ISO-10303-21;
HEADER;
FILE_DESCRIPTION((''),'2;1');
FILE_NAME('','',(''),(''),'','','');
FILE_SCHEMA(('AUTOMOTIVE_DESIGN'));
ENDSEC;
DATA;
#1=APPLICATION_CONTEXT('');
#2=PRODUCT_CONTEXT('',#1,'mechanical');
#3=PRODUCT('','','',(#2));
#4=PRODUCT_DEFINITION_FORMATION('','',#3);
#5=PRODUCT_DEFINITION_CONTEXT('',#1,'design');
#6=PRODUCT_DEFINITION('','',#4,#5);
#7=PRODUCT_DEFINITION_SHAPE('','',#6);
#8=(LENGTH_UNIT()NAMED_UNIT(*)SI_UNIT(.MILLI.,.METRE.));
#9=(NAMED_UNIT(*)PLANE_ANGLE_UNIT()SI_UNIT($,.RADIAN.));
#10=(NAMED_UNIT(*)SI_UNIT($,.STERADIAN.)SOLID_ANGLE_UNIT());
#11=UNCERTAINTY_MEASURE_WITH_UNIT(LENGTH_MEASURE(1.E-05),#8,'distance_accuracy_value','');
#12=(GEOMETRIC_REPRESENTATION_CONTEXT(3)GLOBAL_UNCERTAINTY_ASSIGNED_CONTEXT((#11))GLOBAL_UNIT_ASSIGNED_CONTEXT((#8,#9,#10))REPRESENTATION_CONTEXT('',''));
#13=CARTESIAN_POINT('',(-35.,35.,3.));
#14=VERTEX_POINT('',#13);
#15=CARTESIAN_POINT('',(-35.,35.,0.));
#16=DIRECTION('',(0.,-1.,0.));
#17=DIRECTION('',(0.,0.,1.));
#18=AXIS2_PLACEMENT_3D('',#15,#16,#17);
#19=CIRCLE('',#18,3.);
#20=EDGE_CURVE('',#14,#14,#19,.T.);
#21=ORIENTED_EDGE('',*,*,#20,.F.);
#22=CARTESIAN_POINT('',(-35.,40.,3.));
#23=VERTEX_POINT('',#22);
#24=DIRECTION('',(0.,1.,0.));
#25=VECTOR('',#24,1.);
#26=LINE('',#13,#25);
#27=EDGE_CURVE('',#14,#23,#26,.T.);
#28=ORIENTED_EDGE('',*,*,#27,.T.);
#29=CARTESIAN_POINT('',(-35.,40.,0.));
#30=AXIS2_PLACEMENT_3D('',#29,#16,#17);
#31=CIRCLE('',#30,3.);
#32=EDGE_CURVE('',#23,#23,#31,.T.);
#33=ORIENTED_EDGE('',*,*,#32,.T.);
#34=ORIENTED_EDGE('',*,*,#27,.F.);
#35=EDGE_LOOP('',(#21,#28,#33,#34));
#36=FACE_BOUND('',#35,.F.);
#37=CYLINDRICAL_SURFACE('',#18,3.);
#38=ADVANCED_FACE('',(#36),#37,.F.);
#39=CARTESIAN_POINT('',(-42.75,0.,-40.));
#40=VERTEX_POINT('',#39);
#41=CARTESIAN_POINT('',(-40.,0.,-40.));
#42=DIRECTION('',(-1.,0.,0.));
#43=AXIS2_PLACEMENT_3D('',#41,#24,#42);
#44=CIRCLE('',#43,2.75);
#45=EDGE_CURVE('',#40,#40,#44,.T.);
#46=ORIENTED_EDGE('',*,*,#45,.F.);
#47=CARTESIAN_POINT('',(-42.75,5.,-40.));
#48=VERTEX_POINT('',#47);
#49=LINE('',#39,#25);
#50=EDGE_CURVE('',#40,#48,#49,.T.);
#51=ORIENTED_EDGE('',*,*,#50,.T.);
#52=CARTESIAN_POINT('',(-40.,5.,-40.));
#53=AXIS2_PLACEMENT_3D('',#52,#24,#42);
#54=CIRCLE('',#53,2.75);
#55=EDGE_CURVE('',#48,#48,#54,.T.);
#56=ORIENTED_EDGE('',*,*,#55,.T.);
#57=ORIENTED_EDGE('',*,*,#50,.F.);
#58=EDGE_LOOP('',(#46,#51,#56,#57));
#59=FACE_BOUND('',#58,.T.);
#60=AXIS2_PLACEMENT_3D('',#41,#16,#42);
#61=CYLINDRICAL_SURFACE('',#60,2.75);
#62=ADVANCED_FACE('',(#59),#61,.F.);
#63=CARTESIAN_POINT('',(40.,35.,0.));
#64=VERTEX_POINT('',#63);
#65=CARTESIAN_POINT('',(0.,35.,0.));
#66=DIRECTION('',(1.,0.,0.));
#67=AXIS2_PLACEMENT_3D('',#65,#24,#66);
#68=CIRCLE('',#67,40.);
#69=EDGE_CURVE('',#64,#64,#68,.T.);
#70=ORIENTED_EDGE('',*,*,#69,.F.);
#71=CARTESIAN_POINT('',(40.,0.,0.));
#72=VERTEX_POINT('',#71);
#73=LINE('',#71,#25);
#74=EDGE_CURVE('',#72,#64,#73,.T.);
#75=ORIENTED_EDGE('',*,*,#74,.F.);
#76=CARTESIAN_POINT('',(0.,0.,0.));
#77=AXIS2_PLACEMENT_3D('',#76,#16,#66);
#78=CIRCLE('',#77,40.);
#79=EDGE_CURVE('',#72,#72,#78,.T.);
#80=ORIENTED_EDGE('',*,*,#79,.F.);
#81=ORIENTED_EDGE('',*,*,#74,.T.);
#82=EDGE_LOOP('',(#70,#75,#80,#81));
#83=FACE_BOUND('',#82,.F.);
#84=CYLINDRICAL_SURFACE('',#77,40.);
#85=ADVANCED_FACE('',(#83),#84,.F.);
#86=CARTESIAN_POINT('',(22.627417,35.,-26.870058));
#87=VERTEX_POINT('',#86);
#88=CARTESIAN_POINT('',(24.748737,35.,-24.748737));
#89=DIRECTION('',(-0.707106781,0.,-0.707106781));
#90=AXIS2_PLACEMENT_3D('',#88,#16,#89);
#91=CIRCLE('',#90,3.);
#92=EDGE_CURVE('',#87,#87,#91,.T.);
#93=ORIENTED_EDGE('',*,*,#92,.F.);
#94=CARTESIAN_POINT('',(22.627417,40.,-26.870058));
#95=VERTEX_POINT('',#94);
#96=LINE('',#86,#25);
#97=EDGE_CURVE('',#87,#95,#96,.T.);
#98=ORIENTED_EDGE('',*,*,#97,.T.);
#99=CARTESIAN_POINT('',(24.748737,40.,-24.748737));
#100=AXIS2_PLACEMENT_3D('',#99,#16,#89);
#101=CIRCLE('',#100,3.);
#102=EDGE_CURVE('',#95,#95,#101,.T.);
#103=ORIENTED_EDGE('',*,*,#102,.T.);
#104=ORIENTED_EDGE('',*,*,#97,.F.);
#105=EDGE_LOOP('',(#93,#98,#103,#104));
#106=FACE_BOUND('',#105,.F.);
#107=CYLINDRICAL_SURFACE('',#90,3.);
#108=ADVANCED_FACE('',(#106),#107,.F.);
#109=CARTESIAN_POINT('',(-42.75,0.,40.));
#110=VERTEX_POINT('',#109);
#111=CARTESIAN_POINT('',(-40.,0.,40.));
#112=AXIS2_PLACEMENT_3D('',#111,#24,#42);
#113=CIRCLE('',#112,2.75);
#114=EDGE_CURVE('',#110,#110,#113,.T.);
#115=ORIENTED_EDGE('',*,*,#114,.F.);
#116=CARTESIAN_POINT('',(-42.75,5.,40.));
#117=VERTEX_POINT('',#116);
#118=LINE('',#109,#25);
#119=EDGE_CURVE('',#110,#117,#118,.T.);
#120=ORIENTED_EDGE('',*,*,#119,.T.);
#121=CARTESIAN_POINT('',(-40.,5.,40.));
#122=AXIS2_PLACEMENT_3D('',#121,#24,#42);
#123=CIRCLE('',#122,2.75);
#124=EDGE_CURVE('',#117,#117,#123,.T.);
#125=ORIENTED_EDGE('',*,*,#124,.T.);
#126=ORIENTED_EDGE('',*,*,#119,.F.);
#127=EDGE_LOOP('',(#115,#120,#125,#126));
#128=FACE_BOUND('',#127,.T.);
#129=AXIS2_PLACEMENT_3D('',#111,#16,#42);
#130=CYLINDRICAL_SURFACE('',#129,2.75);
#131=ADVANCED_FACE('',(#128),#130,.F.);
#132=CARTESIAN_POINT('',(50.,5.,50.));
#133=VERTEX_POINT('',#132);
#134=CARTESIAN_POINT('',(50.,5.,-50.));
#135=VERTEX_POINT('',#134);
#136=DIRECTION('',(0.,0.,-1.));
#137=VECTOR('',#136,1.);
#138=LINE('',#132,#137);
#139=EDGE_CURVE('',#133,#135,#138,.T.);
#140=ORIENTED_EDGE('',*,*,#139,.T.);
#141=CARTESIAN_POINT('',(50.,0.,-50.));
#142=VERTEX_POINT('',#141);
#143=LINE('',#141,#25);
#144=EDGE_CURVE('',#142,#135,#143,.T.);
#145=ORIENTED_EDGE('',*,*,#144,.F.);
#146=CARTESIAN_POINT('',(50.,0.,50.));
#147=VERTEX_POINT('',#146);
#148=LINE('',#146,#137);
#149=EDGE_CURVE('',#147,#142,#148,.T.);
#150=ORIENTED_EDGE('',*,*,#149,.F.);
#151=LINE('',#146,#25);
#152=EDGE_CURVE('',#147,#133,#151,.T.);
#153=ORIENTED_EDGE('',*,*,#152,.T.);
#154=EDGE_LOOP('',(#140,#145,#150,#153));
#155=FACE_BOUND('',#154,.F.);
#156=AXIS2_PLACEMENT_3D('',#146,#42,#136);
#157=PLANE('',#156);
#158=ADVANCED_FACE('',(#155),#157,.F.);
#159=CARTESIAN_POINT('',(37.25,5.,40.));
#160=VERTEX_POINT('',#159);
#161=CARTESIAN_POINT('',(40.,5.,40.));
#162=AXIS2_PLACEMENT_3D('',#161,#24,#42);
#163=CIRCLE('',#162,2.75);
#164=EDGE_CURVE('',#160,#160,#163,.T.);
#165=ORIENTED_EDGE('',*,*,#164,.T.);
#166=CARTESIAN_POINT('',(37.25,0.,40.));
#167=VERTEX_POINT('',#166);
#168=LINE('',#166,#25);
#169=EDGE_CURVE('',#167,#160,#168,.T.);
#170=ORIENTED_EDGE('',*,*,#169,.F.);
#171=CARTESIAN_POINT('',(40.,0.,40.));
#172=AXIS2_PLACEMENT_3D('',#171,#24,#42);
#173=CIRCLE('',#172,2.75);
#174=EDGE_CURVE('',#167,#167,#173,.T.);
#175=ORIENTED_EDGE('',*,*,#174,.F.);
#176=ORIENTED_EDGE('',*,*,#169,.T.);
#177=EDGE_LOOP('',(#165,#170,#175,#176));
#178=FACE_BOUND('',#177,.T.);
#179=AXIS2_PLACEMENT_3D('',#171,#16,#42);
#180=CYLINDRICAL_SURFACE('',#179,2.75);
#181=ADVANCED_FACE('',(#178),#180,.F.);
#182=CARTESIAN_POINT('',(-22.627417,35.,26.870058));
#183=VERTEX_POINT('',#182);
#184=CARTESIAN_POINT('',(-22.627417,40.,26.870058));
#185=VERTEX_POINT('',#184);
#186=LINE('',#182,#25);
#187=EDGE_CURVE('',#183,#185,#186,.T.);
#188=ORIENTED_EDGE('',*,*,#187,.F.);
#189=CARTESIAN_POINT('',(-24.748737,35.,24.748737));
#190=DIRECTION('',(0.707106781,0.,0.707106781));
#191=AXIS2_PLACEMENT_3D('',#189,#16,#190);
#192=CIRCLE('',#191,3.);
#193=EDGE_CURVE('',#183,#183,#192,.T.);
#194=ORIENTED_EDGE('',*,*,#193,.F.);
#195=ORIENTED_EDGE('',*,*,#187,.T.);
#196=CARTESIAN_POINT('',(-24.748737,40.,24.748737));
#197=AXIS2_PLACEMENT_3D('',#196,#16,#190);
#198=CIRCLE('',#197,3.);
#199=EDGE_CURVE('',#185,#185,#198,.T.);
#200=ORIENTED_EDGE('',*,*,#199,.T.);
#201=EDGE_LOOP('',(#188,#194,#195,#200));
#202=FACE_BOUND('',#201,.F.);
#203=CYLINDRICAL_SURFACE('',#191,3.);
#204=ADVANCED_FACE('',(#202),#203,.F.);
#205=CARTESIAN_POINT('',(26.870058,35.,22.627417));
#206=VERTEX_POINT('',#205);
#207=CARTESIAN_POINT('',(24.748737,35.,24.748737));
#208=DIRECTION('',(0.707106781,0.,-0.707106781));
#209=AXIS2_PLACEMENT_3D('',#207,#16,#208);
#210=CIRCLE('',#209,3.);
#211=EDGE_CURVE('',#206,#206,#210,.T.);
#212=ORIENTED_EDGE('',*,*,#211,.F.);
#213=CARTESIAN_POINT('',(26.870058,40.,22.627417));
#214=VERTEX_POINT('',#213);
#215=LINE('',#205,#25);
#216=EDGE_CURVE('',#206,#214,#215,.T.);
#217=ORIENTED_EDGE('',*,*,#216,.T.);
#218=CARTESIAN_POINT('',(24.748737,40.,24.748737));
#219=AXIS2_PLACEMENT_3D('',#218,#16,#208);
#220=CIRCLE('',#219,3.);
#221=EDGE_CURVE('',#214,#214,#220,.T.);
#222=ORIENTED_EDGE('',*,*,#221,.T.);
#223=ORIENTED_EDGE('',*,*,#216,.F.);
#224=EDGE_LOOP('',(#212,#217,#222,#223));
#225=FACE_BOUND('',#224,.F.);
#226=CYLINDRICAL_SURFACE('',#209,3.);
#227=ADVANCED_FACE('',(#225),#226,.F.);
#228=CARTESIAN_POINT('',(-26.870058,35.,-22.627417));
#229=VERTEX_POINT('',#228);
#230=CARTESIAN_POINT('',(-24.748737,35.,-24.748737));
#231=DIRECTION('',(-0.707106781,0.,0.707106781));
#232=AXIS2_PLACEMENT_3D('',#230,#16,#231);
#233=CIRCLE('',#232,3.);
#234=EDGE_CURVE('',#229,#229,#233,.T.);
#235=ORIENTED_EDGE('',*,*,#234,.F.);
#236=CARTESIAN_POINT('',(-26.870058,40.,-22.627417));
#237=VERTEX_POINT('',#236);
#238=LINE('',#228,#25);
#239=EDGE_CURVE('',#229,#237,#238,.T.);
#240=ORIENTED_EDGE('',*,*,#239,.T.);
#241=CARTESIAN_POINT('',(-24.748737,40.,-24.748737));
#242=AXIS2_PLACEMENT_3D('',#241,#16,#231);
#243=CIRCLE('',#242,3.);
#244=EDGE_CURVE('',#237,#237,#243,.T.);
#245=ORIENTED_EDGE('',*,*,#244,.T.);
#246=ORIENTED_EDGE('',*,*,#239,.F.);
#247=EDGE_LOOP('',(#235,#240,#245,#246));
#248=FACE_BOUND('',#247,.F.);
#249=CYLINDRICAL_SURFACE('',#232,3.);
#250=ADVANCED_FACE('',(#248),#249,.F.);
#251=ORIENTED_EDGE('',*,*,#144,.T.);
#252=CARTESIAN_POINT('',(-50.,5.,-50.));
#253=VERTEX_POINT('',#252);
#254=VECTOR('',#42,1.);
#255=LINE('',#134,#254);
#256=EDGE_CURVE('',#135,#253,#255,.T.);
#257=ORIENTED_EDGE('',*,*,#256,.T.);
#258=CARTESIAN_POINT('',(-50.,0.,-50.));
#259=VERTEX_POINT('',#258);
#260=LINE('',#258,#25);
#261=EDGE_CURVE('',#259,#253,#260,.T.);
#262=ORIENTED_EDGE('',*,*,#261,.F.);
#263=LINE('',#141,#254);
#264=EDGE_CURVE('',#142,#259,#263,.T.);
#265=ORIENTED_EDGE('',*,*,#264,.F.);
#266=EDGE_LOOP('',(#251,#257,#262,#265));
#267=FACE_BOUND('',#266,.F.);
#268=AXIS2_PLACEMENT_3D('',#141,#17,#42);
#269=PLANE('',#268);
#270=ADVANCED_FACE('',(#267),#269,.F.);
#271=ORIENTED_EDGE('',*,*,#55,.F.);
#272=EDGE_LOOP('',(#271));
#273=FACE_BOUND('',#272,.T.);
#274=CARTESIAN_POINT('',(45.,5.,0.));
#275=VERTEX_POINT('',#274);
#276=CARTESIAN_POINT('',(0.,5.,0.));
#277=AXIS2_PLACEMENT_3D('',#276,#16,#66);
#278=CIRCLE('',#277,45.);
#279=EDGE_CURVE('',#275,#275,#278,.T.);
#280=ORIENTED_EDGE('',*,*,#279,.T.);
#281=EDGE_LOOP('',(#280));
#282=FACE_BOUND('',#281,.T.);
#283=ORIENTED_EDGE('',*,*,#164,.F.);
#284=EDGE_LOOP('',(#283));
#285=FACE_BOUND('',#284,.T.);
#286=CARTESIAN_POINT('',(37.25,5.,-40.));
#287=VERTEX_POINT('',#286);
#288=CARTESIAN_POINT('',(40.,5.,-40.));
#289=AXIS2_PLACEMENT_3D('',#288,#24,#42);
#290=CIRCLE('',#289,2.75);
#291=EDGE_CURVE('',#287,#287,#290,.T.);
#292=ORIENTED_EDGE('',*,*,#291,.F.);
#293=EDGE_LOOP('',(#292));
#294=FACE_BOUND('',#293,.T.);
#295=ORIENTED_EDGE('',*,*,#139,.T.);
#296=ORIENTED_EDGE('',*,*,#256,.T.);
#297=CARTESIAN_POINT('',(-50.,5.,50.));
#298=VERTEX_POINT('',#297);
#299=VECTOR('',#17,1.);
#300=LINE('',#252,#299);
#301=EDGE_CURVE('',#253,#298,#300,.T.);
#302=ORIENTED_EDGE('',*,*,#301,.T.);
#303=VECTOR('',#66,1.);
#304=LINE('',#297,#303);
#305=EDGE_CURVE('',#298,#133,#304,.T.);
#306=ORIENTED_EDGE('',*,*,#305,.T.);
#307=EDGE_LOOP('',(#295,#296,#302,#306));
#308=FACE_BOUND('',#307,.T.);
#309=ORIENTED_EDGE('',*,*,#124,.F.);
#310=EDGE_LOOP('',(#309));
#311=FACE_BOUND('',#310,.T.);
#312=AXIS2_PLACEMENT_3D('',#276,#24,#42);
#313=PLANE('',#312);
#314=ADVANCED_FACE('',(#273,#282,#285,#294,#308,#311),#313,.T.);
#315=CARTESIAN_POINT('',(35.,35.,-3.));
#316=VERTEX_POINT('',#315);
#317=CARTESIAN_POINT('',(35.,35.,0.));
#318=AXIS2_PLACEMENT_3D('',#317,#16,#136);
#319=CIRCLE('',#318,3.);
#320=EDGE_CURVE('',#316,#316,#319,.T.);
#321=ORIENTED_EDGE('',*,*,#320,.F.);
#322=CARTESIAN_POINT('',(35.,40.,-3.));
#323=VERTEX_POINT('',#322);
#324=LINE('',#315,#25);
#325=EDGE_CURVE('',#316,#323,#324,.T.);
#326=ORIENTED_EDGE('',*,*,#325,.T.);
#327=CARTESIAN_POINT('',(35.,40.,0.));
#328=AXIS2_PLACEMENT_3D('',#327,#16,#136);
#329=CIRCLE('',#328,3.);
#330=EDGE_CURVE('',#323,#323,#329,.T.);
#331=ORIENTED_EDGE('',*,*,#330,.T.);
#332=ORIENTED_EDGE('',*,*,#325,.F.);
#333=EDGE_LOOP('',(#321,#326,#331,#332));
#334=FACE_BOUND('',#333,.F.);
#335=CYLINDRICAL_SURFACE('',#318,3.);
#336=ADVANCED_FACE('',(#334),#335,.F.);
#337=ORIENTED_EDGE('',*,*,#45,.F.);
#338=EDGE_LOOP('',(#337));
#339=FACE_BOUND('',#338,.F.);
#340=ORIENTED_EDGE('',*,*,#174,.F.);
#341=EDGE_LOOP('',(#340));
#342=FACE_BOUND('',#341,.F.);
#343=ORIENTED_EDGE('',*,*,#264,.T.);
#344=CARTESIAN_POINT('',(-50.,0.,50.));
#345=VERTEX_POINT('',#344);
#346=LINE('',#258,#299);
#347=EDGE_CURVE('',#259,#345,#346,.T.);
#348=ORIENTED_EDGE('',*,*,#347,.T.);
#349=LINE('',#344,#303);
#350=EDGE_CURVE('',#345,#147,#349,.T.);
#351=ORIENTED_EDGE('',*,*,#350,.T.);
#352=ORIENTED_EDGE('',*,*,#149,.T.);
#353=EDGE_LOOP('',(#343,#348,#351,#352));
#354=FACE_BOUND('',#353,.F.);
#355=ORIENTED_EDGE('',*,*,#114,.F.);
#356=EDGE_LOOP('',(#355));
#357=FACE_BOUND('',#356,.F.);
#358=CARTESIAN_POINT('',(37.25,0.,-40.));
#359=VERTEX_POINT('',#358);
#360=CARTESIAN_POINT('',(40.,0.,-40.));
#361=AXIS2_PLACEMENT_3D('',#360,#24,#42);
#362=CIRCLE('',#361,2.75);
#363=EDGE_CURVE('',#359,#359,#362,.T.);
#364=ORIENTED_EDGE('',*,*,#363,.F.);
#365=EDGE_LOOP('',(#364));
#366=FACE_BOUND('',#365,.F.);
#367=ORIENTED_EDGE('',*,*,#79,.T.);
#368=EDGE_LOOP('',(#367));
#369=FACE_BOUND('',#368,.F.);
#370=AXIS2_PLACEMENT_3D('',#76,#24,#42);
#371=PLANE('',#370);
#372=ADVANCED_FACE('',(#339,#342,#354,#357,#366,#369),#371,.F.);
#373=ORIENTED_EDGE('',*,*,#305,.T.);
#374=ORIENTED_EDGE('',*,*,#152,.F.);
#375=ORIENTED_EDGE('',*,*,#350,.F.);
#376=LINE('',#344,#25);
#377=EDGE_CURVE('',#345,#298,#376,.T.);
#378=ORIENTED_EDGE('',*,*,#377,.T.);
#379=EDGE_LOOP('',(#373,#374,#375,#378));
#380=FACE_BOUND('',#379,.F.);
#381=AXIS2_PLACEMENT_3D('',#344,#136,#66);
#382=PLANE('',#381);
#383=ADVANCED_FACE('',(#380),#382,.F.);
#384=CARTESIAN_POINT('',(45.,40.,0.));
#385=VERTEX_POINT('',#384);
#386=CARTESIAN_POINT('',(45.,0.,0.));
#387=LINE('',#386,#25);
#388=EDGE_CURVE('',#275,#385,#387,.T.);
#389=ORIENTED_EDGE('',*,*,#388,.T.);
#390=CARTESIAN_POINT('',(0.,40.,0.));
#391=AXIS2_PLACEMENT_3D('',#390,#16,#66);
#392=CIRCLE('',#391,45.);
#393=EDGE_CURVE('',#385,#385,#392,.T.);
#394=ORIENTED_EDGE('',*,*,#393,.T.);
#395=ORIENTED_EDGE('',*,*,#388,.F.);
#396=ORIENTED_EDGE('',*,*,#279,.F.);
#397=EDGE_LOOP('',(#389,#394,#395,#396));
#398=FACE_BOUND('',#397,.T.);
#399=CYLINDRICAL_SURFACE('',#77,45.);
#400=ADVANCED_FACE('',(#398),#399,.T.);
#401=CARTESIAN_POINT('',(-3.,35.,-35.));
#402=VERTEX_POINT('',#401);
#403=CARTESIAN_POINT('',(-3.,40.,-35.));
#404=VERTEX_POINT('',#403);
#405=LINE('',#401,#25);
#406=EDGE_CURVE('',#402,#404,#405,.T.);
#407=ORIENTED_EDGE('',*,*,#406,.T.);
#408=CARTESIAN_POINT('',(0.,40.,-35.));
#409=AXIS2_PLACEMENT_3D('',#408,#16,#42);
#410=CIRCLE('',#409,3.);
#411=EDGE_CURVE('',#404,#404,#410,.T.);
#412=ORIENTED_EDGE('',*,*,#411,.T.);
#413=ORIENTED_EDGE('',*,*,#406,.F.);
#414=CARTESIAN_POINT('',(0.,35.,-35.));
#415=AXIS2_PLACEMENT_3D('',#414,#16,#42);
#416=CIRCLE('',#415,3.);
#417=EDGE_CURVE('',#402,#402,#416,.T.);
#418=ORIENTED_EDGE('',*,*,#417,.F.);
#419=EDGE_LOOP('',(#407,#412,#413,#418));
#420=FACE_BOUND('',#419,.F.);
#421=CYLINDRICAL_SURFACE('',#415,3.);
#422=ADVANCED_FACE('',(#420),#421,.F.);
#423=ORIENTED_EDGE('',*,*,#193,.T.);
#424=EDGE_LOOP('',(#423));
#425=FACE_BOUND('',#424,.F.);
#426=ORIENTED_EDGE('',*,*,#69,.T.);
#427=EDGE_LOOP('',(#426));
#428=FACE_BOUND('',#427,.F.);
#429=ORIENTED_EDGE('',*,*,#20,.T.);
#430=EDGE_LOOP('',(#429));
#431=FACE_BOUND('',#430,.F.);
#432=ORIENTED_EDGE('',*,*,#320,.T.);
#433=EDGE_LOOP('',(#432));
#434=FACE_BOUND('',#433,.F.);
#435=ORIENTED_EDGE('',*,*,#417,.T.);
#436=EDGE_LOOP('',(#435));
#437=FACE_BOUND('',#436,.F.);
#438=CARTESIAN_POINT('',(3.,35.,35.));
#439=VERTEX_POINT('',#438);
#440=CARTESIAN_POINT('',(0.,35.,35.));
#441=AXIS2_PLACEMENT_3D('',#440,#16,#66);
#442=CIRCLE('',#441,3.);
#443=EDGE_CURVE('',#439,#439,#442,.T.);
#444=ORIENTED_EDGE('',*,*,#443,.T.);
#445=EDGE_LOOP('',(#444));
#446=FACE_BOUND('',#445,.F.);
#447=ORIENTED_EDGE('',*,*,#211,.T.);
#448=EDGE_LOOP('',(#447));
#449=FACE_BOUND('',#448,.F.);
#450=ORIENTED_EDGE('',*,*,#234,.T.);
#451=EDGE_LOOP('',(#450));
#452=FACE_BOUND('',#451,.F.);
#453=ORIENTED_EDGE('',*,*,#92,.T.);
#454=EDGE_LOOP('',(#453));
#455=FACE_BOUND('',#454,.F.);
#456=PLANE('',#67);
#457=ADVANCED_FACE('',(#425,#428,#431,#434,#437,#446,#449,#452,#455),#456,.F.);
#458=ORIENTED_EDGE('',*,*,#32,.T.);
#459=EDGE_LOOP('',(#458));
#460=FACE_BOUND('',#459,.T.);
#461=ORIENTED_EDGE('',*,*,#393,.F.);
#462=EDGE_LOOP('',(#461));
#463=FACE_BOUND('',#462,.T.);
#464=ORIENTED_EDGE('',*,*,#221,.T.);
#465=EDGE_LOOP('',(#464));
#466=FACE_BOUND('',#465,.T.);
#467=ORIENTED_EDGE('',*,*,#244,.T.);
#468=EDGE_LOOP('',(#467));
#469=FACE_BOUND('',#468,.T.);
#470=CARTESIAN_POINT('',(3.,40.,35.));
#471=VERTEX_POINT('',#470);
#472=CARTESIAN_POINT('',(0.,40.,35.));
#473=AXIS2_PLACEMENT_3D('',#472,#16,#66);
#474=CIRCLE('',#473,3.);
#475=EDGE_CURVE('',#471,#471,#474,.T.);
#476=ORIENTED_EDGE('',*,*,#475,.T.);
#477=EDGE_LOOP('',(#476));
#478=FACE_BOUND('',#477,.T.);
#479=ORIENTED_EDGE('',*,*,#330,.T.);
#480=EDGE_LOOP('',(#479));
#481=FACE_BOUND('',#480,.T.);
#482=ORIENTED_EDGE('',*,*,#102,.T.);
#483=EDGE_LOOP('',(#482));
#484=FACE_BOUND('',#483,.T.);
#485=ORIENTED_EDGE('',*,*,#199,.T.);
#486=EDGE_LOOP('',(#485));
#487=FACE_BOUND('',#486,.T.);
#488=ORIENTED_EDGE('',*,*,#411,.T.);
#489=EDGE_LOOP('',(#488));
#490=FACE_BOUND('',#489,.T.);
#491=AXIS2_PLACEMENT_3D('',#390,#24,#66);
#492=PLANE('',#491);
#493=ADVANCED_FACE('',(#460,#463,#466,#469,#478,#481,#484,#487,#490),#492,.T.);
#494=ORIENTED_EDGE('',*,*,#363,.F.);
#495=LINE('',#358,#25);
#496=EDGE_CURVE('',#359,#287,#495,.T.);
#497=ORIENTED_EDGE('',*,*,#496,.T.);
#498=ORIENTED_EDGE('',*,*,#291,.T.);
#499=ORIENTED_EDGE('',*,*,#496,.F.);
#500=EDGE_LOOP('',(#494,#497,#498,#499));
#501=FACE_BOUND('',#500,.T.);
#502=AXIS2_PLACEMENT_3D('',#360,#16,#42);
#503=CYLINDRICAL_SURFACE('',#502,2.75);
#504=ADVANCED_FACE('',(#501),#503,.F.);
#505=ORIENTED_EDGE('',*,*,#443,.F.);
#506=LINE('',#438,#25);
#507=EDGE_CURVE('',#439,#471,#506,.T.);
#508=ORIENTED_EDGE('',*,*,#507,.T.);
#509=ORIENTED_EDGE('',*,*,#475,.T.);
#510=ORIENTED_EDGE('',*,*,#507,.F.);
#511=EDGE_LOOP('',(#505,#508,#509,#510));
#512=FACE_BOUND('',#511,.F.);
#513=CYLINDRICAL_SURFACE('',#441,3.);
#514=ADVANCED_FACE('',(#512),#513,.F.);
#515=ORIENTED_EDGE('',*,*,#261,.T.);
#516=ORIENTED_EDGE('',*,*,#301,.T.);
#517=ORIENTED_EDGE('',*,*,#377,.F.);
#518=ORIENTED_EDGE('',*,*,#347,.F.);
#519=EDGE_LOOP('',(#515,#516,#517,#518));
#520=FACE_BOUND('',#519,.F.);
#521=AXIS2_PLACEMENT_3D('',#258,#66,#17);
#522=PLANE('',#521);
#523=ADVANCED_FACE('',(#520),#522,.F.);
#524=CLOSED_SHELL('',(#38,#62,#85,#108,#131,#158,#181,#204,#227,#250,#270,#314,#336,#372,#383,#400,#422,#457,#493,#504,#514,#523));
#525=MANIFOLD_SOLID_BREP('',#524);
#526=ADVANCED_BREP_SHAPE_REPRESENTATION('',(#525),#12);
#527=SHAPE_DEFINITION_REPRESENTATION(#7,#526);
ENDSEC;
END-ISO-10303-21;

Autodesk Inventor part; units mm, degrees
ref_plane "YZ Plane" through (0, 0, 0) normal (1, 0, 0) x (0, 1, 0)
ref_plane "XZ Plane" through (0, 0, 0) normal (0, 1, 0) x (-1, 0, 0)
ref_plane "XY Plane" through (0, 0, 0) normal (0, 0, 1) x (1, 0, 0)
sketch "Sketch1" plane through (0, 0, 0) normal (0, 1, 0) x (-1, 0, 0)
  line L0 (50, 50) -> (-50, 50)
  line L1 (-50, 50) -> (-50, -50)
  line L2 (-50, -50) -> (50, -50)
  line L3 (50, -50) -> (50, 50)
  circle A0 centre (0, 0) radius 35
  circle A1 centre (40, 40) radius 2.75
  circle A2 centre (-40, 40) radius 2.75
  circle A3 centre (-40, -40) radius 2.75
  circle A4 centre (40, -40) radius 2.75
  point P0 (50, 0)
  point P1 (0, -50)
  dimension "d0" = 100
  dimension "d1" = 100
  dimension "d2" = 70
  dimension "d3" = 5.5
  dimension "d4" = 10
  dimension "d5" = 10
  dimension "d8" = 360
extrude "Extrusion1" add sketch "Sketch1" along normal blind 5
sketch "Sketch2" plane through (0, 0, 0) normal (0, -1, 0) x (1, 0, 0)
  circle A0 centre (0, 0) radius 45
  dimension "d12" = 90
extrude "Extrusion2" cut sketch "Sketch2" against normal blind 10
sketch "Sketch3" plane through (0, 0, 0) normal (0, -1, 0) x (1, 0, 0)
  circle A0 centre (0, 0) radius 45
  circle A1 centre (0, 0) radius 40
  dimension "d15" = 90
  dimension "d16" = 80
extrude "Extrusion3" add sketch "Sketch3" against normal blind 40
sketch "Sketch4" plane through (0, 40, 0) normal (0, 1, 0) x (1, 0, 0)
  circle A0 centre (0, 0) radius 40
extrude "Extrusion4" add sketch "Sketch4" against normal blind 5
sketch "Sketch5" plane through (0, 35, 0) normal (0, -1, 0) x (1, 0, 0)
  circle A0 centre (0, 35) radius 3
  point P0 (0, 0)
  dimension "d21" = 6
  dimension "d22" = 35
extrude "Extrusion5" cut sketch "Sketch5" against normal up to next
pattern_circular "Circular Pattern1" count 8 over 360 about axis through (0, 0, 0) along (0, 1, 0) of "Extrusion5"
properties part number "connector plate"
